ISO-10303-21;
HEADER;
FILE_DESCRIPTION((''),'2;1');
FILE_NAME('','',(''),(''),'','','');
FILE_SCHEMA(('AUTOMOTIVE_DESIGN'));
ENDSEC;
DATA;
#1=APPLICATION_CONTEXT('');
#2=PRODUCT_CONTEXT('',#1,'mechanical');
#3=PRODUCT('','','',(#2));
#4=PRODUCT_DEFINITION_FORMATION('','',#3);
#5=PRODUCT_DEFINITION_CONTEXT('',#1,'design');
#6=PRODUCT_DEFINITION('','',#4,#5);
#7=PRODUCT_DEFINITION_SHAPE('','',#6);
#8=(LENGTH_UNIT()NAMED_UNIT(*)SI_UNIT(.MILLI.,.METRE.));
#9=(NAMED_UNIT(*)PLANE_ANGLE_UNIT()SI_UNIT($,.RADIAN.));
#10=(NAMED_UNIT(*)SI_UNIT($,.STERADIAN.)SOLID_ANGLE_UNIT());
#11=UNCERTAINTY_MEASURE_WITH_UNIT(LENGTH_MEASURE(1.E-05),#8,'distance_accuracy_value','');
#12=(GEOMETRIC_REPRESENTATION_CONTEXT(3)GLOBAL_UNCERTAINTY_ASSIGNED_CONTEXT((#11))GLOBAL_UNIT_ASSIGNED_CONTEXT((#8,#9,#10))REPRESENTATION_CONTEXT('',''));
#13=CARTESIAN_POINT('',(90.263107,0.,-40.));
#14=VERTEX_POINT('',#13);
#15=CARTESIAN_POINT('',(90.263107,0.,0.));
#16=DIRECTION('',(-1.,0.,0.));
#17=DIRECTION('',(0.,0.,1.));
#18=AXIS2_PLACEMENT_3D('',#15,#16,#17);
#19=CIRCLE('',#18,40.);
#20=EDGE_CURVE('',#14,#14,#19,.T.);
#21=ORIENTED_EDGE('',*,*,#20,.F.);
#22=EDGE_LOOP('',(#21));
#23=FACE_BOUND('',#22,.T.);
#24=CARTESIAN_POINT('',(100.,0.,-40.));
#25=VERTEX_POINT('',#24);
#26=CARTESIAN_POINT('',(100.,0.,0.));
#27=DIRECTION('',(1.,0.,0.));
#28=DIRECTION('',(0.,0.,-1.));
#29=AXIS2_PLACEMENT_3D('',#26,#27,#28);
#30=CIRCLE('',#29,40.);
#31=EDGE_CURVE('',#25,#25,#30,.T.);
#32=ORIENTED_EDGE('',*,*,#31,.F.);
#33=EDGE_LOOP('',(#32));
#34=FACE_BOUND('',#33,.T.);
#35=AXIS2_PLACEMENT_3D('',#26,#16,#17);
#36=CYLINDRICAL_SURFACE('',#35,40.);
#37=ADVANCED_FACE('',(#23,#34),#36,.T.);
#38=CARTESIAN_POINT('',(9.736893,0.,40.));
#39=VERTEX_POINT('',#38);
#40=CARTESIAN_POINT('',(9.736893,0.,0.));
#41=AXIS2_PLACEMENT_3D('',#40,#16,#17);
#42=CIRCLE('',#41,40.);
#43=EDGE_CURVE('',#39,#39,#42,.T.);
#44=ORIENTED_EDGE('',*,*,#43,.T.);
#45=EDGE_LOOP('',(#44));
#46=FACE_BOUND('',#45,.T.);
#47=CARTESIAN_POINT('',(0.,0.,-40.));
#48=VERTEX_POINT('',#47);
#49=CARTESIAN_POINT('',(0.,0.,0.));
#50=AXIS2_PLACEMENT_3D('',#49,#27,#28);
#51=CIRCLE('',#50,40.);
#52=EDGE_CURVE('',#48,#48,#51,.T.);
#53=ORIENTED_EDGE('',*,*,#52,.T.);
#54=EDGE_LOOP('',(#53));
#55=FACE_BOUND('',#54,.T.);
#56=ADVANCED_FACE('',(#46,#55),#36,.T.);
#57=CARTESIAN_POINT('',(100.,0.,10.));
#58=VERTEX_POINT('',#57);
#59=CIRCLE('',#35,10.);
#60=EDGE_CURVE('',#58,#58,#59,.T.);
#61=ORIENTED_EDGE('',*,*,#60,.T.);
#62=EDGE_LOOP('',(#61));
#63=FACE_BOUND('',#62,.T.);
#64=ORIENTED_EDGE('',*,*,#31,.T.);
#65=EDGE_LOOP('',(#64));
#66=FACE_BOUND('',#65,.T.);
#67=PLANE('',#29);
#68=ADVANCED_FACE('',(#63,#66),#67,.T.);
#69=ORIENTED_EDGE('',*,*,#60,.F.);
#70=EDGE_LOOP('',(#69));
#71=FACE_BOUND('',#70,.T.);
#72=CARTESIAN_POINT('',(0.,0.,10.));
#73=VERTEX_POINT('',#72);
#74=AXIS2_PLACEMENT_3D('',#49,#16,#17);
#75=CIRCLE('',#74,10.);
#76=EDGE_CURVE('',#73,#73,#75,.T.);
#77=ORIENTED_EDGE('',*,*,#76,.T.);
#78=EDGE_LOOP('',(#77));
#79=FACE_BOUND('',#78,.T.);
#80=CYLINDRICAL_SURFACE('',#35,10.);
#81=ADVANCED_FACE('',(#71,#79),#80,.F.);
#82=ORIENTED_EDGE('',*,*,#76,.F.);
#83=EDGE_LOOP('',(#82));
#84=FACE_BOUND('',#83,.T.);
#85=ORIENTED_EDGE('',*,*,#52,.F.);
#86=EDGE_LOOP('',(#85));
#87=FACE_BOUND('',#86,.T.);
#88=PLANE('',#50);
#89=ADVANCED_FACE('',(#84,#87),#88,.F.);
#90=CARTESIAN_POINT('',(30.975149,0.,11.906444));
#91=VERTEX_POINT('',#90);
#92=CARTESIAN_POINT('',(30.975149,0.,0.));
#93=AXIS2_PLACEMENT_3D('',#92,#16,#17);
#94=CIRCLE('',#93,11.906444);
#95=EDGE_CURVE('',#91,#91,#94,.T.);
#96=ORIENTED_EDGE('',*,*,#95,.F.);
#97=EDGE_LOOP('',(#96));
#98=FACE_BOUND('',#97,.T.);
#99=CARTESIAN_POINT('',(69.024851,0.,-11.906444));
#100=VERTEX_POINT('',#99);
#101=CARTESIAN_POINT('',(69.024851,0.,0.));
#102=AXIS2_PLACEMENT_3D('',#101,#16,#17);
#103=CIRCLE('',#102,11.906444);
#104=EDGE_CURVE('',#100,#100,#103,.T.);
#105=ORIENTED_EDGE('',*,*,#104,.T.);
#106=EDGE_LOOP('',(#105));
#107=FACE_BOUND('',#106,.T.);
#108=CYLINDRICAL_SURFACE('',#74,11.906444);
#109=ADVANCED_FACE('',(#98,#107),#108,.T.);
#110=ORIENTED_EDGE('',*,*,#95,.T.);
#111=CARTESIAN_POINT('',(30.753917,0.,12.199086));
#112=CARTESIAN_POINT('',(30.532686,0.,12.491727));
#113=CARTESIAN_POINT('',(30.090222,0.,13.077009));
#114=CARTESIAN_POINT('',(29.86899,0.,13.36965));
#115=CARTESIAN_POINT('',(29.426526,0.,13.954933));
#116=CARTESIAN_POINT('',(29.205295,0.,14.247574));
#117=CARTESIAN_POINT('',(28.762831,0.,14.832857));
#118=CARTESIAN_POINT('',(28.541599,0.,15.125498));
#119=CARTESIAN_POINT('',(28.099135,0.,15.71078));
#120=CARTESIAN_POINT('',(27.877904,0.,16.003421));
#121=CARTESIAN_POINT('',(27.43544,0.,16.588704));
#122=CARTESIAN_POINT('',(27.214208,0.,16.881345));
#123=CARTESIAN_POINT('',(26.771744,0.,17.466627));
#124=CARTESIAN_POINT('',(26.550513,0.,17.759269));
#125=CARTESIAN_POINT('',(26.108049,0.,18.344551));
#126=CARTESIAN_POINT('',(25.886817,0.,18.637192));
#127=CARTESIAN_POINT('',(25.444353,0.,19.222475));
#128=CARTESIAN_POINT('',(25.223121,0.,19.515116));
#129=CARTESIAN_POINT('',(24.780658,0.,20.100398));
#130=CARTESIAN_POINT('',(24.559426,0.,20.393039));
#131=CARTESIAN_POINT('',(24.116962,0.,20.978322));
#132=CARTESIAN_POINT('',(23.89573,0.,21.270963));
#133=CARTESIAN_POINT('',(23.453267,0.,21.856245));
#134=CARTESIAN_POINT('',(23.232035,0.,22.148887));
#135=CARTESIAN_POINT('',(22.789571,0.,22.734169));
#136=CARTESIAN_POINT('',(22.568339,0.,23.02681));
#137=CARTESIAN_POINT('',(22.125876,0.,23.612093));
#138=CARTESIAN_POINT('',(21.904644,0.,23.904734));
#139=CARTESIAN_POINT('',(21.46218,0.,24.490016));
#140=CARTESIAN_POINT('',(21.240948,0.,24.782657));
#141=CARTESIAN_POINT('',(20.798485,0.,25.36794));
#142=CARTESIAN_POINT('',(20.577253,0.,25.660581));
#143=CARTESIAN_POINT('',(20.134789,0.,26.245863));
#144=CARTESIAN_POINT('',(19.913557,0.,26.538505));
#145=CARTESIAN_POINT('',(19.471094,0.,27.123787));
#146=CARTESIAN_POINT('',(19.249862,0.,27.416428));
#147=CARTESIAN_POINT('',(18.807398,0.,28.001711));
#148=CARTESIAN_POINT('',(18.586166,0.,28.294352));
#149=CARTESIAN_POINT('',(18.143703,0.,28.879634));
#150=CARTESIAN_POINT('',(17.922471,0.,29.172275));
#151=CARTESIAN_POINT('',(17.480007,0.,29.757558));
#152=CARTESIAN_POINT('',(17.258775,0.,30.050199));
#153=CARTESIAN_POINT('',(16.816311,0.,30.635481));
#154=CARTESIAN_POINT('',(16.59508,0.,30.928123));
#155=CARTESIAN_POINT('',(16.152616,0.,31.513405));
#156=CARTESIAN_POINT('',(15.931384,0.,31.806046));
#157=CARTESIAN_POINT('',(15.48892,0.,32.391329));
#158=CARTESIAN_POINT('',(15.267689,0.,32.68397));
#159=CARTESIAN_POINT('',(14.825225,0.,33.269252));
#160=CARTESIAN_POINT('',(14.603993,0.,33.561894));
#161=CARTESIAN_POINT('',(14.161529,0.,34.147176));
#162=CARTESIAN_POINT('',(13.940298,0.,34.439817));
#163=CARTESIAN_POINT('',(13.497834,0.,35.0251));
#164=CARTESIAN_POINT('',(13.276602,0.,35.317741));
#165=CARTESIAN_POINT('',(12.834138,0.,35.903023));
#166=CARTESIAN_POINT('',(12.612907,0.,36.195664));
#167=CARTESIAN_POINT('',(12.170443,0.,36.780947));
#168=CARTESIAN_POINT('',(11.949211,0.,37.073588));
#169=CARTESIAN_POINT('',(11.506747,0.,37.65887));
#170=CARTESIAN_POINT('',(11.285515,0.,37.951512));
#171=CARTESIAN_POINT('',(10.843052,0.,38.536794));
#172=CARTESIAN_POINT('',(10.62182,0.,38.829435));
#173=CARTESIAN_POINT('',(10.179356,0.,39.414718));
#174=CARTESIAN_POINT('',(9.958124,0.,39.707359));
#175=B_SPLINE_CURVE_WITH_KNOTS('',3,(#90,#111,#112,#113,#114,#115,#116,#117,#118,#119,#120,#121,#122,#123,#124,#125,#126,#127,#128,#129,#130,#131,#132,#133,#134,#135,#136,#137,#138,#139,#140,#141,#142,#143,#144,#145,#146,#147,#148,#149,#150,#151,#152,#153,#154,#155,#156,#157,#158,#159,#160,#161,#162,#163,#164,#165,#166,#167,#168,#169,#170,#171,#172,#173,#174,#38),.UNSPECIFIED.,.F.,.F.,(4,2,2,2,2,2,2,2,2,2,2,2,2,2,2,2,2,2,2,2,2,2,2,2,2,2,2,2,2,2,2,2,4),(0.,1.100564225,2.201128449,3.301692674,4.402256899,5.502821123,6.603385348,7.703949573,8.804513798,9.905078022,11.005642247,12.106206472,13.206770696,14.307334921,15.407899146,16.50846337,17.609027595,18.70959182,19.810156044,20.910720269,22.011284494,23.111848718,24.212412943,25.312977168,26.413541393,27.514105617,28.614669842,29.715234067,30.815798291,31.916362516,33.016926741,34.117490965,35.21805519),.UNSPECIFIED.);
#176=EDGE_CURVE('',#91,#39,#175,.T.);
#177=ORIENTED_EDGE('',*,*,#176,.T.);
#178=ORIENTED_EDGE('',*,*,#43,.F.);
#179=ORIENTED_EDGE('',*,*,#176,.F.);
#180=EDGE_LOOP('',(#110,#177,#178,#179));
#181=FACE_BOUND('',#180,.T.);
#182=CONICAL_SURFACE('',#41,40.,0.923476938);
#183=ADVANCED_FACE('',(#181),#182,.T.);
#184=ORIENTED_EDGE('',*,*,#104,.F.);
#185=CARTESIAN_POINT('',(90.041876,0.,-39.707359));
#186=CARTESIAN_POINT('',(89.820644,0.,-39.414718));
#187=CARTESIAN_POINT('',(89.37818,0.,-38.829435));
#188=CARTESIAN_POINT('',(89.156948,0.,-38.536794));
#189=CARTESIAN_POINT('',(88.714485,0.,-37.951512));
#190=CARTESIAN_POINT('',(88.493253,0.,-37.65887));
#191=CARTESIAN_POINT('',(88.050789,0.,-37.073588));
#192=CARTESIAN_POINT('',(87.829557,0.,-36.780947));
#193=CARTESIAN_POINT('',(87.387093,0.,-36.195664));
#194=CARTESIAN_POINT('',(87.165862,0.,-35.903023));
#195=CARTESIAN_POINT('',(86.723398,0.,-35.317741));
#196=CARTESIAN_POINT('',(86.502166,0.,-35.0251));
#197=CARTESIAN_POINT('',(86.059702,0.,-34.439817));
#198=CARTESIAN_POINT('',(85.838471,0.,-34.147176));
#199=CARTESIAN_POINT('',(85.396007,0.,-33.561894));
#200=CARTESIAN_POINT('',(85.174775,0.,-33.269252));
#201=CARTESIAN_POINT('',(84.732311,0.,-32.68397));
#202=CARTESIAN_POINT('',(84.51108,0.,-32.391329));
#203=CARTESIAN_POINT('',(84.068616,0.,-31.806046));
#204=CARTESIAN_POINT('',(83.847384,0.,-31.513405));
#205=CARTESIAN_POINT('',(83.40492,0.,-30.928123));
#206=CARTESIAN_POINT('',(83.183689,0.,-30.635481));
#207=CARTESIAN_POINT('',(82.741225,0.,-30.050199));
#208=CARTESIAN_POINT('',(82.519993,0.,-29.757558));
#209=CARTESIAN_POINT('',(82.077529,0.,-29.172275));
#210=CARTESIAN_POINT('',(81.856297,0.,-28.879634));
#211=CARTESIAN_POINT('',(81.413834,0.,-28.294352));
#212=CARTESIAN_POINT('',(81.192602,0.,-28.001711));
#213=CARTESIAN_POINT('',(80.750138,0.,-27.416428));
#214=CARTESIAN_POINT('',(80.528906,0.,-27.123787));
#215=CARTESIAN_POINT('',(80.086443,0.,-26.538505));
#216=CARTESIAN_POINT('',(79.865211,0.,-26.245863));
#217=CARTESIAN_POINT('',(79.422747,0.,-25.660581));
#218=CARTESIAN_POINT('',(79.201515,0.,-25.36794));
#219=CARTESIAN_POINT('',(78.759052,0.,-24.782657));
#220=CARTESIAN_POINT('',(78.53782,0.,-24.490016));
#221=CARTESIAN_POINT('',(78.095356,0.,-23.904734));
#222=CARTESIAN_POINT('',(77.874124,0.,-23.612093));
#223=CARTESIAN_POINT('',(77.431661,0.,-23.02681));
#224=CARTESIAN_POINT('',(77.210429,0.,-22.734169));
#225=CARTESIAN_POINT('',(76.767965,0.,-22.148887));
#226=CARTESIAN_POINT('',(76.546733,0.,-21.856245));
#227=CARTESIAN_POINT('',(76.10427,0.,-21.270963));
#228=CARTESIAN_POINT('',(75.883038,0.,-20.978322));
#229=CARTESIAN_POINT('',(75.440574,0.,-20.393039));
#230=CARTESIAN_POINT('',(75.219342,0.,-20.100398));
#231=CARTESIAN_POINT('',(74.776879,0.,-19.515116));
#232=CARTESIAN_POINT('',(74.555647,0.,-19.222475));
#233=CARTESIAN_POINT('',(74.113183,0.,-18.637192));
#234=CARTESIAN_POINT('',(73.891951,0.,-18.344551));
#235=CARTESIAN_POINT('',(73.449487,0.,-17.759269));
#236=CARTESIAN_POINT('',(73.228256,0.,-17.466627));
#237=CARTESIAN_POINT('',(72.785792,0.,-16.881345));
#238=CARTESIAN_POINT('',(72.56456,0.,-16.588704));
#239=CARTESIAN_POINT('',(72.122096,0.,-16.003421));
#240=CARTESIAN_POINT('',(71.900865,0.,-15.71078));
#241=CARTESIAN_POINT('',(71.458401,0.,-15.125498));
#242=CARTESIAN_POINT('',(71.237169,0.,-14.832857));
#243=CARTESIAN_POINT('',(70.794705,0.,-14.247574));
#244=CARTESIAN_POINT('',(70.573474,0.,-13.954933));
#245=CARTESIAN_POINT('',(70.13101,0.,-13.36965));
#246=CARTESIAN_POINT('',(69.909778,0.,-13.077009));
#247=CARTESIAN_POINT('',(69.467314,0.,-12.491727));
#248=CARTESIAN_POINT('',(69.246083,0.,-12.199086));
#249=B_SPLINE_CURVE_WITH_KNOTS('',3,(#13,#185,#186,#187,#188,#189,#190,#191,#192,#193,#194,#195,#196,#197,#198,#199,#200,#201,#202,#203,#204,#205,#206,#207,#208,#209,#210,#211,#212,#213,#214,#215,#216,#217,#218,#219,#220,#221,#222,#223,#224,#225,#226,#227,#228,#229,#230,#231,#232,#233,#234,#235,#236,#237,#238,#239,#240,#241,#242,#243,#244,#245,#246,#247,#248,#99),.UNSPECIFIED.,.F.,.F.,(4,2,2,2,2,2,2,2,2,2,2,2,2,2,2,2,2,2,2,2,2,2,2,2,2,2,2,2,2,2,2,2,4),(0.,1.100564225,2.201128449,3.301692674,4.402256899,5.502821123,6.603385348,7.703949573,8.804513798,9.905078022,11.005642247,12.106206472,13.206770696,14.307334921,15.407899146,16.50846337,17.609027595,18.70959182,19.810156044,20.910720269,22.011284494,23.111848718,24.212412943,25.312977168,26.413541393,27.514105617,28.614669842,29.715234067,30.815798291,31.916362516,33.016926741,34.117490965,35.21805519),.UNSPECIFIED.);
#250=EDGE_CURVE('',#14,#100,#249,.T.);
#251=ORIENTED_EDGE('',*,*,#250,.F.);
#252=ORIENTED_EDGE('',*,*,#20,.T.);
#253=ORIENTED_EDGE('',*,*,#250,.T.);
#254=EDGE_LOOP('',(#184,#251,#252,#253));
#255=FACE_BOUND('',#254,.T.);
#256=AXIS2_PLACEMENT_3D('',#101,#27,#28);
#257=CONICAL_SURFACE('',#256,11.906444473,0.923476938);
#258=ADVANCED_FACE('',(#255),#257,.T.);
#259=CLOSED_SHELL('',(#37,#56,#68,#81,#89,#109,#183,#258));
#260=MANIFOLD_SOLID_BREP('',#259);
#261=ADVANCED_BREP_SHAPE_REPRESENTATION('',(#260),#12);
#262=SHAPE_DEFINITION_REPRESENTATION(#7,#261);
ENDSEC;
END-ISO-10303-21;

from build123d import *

# Parameters (mm, degrees)
SKETCH1_R           = 40
BOSS_EXTRUDE1_DEPTH = 100
SKETCH3_R           = 10
CUT_EXTRUDE1_DEPTH  = 115.891252931


with BuildPart() as part:
    # Sketch1 → Boss-Extrude1 (new body)
    with BuildSketch(Plane(origin=(0, 0, 0), x_dir=(0, 0, -1), z_dir=(1, 0, 0))):
        Circle(SKETCH1_R)
    extrude(amount=BOSS_EXTRUDE1_DEPTH)

    # Sketch2 → Cut-Revolve1 (revolve, cut)
    with BuildSketch(Plane(origin=(0, 0, 0), x_dir=(1, 0, 0), z_dir=(0, 1, 0)), mode=Mode.PRIVATE) as cut_revolve1_sk:
        Polygon((9.736892583, 40), (30.975149321, 11.906444473), (69.024850679, 11.906444473), (90.263107417, 40), align=None)
    revolve(cut_revolve1_sk.sketch.rotate(Axis((0, 0, 0), (1, 0, 0)), 180), axis=Axis((0, 0, 0), (1, 0, 0)), mode=Mode.SUBTRACT)

    # Sketch3 → Cut-Extrude1 (cut, through all)
    with BuildSketch(Plane.ZY):
        Circle(SKETCH3_R)
    extrude(amount=-CUT_EXTRUDE1_DEPTH, mode=Mode.SUBTRACT)


solid = part.part
